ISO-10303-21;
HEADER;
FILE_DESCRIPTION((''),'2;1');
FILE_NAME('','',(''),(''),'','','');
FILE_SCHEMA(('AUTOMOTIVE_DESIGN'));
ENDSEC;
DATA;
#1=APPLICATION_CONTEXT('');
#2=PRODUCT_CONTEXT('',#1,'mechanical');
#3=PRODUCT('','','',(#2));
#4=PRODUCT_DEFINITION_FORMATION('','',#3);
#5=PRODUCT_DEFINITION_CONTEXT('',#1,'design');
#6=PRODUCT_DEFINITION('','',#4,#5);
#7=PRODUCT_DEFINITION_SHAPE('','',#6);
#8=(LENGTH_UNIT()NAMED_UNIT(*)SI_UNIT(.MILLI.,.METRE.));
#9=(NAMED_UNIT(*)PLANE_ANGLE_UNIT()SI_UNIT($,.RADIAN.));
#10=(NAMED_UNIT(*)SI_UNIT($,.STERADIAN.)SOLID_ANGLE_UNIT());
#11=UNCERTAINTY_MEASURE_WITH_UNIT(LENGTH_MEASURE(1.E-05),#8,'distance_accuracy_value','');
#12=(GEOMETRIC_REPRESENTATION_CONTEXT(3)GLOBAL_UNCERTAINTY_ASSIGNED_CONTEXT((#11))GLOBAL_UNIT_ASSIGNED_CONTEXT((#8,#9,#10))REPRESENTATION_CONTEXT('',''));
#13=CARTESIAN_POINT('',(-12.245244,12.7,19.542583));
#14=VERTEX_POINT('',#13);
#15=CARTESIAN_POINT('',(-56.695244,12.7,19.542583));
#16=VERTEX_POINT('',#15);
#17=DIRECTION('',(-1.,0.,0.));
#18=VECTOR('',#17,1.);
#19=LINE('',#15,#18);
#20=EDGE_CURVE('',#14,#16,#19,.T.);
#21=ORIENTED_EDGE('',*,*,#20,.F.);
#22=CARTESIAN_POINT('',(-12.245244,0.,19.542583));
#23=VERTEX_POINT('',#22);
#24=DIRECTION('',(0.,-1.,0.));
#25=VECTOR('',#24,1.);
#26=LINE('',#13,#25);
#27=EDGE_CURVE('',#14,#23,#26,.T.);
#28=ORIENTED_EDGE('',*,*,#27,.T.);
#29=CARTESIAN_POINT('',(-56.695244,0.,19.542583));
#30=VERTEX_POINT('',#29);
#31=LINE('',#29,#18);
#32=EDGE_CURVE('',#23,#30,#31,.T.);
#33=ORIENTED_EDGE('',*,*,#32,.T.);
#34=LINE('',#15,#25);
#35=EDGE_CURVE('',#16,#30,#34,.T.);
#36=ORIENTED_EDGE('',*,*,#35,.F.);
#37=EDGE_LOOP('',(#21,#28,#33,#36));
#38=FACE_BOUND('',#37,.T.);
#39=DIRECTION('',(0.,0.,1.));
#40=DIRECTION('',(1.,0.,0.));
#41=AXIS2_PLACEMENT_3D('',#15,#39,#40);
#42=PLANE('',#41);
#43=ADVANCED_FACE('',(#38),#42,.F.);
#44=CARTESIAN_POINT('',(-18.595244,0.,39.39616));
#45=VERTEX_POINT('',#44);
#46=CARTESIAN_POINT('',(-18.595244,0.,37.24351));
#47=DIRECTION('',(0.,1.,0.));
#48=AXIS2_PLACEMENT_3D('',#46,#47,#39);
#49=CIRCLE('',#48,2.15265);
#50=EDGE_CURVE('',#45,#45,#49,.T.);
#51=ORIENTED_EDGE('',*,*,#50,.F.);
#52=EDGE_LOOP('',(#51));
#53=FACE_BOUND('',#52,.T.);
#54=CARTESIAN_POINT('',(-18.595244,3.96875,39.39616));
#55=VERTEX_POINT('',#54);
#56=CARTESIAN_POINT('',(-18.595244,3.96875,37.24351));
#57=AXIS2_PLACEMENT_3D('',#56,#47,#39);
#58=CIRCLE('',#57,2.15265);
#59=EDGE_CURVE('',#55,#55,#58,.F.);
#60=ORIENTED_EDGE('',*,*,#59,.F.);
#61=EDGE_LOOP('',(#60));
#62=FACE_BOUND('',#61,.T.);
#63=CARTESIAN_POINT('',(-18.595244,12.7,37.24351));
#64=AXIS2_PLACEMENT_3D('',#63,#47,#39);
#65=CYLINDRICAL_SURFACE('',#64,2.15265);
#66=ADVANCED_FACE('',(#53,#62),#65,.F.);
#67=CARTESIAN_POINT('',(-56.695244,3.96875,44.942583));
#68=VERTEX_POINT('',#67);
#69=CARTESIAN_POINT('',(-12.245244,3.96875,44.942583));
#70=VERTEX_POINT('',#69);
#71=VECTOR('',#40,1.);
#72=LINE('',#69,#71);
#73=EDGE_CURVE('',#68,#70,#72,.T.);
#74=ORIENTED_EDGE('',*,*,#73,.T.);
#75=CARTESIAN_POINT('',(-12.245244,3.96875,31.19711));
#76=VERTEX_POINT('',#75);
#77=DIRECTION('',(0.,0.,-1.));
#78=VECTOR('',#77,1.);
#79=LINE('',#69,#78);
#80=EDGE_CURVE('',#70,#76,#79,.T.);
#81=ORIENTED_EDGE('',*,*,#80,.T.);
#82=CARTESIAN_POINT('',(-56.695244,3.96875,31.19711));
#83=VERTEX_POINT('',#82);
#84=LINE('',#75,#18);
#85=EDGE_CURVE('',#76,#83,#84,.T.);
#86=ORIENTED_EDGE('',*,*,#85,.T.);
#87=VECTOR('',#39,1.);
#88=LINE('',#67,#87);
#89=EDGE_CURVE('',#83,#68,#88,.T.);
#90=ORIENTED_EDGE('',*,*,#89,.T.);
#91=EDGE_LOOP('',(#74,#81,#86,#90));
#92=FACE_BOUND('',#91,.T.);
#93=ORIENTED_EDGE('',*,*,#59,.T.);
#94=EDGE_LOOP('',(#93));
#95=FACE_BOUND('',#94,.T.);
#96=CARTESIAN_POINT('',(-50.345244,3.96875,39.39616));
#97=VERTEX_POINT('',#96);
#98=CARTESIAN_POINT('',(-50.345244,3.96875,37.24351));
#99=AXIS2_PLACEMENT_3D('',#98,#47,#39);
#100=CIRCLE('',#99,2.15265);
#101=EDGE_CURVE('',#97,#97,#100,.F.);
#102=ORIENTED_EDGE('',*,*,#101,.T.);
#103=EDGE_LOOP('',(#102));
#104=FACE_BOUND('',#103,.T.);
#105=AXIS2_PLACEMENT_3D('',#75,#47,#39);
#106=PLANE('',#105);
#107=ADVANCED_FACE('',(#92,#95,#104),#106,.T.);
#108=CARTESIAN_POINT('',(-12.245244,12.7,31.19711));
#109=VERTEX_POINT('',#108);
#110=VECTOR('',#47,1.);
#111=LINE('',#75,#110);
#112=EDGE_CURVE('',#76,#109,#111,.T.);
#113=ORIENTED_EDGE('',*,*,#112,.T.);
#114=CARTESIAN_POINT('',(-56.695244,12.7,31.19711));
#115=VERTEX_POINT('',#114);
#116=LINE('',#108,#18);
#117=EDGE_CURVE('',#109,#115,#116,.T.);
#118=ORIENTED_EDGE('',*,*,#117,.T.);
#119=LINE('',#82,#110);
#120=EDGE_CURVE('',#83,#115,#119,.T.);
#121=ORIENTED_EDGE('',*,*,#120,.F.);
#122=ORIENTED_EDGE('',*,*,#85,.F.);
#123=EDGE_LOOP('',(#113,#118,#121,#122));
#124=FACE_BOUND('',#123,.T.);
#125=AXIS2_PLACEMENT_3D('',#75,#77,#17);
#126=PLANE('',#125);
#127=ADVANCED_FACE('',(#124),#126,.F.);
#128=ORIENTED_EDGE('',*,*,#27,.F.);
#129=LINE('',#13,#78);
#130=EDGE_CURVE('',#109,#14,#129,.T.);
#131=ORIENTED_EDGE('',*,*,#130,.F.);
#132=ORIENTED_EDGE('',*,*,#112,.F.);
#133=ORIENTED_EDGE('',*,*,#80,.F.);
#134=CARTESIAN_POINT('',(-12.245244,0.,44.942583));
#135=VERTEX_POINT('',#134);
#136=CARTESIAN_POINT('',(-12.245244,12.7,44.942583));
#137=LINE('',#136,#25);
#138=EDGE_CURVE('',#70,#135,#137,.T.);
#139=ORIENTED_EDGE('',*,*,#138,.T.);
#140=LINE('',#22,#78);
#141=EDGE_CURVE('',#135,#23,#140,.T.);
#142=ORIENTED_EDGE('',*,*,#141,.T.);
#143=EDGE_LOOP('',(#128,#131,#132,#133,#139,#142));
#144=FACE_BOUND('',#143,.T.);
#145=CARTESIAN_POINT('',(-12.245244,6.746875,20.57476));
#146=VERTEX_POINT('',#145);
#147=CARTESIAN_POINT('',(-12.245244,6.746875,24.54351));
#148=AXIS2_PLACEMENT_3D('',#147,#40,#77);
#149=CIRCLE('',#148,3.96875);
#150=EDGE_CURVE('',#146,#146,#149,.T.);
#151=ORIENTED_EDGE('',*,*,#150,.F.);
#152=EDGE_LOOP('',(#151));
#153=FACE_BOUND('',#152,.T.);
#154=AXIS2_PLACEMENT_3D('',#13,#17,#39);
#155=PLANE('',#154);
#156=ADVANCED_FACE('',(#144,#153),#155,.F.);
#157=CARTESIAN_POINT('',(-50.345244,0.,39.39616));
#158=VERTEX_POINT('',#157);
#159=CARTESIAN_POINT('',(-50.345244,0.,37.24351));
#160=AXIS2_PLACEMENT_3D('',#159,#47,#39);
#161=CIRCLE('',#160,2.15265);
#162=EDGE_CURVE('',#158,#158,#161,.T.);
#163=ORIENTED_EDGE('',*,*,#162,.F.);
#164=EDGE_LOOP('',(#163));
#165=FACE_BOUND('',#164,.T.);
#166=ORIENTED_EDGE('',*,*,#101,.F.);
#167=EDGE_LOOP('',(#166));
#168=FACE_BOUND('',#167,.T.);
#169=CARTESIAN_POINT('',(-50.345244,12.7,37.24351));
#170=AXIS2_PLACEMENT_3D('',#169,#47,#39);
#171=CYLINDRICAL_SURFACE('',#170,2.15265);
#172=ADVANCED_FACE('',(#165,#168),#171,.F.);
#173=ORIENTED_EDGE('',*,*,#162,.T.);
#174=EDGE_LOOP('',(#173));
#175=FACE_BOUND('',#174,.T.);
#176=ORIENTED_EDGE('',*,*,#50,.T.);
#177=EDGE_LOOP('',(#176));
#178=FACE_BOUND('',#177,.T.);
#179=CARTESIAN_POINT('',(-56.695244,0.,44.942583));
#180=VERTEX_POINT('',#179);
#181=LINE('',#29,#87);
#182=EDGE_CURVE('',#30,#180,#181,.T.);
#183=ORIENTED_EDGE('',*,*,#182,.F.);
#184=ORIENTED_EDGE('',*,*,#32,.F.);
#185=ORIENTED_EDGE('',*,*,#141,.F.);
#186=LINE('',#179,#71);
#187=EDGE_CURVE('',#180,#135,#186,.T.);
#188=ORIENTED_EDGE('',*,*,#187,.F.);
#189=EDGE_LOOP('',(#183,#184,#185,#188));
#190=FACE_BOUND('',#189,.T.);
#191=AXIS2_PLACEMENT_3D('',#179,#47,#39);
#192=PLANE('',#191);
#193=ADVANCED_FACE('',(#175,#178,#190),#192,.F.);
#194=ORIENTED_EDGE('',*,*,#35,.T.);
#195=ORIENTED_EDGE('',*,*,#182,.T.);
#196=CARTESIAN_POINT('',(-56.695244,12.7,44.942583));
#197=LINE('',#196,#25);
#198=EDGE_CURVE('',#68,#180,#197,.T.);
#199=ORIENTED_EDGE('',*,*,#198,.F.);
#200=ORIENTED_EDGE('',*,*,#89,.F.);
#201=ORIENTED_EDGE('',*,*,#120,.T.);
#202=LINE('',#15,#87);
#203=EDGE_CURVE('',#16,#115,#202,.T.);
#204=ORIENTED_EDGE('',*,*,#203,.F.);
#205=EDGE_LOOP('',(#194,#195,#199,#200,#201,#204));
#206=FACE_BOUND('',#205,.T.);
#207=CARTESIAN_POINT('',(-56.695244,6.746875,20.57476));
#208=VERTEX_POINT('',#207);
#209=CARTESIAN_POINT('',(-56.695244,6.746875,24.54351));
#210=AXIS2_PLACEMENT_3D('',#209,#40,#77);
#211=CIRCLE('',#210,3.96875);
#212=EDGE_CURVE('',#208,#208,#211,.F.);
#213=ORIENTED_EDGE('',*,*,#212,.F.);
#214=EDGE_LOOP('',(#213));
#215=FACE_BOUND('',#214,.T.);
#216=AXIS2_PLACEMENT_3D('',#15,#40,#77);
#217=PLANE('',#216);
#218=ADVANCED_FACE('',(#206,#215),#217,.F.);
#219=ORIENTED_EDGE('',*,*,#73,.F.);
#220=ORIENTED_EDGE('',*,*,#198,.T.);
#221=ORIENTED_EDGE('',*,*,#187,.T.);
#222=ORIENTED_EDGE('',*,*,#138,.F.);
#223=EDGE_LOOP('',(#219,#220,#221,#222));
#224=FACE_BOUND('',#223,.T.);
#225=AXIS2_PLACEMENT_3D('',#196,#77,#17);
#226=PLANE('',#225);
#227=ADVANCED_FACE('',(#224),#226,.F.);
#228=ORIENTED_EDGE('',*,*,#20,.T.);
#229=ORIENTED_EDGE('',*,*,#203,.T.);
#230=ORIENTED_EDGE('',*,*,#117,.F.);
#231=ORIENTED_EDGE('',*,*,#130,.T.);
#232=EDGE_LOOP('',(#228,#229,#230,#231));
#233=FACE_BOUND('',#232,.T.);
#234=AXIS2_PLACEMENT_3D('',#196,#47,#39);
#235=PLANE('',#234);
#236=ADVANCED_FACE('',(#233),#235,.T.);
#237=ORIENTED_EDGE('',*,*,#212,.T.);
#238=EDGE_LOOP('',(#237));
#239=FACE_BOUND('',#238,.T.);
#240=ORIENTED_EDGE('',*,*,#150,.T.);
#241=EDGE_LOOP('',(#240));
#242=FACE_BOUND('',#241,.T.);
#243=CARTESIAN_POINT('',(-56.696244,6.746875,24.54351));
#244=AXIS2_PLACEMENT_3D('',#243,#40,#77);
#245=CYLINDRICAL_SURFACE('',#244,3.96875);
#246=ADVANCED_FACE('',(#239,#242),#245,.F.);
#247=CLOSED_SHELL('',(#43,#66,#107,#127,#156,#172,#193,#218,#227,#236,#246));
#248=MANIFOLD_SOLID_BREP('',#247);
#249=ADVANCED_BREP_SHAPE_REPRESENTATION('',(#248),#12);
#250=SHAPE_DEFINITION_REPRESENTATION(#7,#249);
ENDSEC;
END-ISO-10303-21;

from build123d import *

# Parameters (mm, degrees)
SKETCH1_W                        = 44.45
SKETCH1_H                        = 25.4
BOSS_EXTRUDE1_DEPTH              = 12.7
CUT_EXTRUDE1_REACH               = 46.45
SKETCH2_R                        = 3.96875
F_18_0_1695_DIAMETER_HOLE1_D     = 4.3053
F_18_0_1695_DIAMETER_HOLE1_DEPTH = 12.7
SKETCH5_W                        = 44.45
SKETCH5_H                        = 13.74547341
CUT_EXTRUDE2_DEPTH               = 8.73125


with BuildPart() as part:
    # Sketch1 → Boss-Extrude1 (new body)
    with BuildSketch(Plane(origin=(0, 0, 0), x_dir=(1, 0, 0), z_dir=(0, 1, 0))):
        with Locations((-34.470243637, -32.242582921)):
            Rectangle(SKETCH1_W, SKETCH1_H)
    extrude(amount=BOSS_EXTRUDE1_DEPTH)

    # Sketch2 → Cut-Extrude1 (cut, up to next)
    with BuildSketch(Plane(origin=(-12.245243637, 0, 0), x_dir=(0, 0, -1), z_dir=(1, 0, 0)), mode=Mode.PRIVATE) as cut_extrude1_sk1:
        with Locations((-24.543510458, 6.746875)):
            Circle(SKETCH2_R)
    cut_extrude1_tool1 = extrude(cut_extrude1_sk1.sketch, amount=-CUT_EXTRUDE1_REACH, mode=Mode.PRIVATE) & part.part
    add(cut_extrude1_tool1.solids().sort_by_distance((-12.245244, 6.746875, 24.54351))[0], mode=Mode.SUBTRACT)

    # #18 (0.1695) Diameter Hole1
    with Locations(Plane(origin=(0, 12.7, 0), x_dir=(-1, 0, 0), z_dir=(0, 1, 0))):
        with Locations((50.345243637, 37.243510458), (18.595243637, 37.243510458)):
            Hole(F_18_0_1695_DIAMETER_HOLE1_D / 2, depth=F_18_0_1695_DIAMETER_HOLE1_DEPTH)

    # Sketch5 → Cut-Extrude2 (cut)
    with BuildSketch(Plane(origin=(0, 12.7, 0), x_dir=(1, 0, 0), z_dir=(0, 1, 0))):
        with Locations((-34.470243637, -38.069846216)):
            Rectangle(SKETCH5_W, SKETCH5_H)
    extrude(amount=-CUT_EXTRUDE2_DEPTH, mode=Mode.SUBTRACT)


solid = part.part
